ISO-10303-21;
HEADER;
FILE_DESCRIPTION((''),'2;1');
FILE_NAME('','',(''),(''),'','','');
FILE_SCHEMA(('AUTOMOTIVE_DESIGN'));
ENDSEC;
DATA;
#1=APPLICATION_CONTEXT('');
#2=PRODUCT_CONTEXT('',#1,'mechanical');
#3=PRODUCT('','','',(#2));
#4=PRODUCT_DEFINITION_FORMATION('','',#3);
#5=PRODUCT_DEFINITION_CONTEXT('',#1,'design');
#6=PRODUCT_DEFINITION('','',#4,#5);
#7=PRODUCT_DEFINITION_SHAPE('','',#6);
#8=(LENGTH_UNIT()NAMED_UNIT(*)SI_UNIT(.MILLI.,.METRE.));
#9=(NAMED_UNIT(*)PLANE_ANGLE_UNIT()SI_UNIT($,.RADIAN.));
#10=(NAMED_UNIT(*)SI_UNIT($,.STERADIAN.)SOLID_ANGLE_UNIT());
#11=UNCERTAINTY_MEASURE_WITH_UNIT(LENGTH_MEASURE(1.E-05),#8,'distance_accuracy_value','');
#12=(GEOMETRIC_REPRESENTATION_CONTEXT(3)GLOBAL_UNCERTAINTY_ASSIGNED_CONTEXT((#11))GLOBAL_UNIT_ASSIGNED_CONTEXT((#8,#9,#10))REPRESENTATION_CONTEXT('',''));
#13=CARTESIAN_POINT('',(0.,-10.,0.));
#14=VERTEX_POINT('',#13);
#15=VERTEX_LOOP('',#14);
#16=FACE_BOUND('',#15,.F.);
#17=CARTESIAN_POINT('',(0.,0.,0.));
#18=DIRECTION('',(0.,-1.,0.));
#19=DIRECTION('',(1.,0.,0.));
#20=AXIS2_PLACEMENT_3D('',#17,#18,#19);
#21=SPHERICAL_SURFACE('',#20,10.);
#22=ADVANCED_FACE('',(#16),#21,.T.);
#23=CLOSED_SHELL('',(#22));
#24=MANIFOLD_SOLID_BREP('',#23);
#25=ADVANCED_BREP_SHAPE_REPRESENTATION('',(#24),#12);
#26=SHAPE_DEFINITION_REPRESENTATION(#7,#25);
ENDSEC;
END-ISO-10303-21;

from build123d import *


with BuildPart() as part:
    # Sketch1 → Revolve2 (revolve)
    with BuildSketch(Plane.XY):
        with BuildLine():
            Line((0, -10), (0, 10))
            ThreePointArc((0, 10), (10, 0), (0, -10))
        make_face()
    revolve(axis=Axis((0, -10, 0), (0, 1, 0)))


solid = part.part
